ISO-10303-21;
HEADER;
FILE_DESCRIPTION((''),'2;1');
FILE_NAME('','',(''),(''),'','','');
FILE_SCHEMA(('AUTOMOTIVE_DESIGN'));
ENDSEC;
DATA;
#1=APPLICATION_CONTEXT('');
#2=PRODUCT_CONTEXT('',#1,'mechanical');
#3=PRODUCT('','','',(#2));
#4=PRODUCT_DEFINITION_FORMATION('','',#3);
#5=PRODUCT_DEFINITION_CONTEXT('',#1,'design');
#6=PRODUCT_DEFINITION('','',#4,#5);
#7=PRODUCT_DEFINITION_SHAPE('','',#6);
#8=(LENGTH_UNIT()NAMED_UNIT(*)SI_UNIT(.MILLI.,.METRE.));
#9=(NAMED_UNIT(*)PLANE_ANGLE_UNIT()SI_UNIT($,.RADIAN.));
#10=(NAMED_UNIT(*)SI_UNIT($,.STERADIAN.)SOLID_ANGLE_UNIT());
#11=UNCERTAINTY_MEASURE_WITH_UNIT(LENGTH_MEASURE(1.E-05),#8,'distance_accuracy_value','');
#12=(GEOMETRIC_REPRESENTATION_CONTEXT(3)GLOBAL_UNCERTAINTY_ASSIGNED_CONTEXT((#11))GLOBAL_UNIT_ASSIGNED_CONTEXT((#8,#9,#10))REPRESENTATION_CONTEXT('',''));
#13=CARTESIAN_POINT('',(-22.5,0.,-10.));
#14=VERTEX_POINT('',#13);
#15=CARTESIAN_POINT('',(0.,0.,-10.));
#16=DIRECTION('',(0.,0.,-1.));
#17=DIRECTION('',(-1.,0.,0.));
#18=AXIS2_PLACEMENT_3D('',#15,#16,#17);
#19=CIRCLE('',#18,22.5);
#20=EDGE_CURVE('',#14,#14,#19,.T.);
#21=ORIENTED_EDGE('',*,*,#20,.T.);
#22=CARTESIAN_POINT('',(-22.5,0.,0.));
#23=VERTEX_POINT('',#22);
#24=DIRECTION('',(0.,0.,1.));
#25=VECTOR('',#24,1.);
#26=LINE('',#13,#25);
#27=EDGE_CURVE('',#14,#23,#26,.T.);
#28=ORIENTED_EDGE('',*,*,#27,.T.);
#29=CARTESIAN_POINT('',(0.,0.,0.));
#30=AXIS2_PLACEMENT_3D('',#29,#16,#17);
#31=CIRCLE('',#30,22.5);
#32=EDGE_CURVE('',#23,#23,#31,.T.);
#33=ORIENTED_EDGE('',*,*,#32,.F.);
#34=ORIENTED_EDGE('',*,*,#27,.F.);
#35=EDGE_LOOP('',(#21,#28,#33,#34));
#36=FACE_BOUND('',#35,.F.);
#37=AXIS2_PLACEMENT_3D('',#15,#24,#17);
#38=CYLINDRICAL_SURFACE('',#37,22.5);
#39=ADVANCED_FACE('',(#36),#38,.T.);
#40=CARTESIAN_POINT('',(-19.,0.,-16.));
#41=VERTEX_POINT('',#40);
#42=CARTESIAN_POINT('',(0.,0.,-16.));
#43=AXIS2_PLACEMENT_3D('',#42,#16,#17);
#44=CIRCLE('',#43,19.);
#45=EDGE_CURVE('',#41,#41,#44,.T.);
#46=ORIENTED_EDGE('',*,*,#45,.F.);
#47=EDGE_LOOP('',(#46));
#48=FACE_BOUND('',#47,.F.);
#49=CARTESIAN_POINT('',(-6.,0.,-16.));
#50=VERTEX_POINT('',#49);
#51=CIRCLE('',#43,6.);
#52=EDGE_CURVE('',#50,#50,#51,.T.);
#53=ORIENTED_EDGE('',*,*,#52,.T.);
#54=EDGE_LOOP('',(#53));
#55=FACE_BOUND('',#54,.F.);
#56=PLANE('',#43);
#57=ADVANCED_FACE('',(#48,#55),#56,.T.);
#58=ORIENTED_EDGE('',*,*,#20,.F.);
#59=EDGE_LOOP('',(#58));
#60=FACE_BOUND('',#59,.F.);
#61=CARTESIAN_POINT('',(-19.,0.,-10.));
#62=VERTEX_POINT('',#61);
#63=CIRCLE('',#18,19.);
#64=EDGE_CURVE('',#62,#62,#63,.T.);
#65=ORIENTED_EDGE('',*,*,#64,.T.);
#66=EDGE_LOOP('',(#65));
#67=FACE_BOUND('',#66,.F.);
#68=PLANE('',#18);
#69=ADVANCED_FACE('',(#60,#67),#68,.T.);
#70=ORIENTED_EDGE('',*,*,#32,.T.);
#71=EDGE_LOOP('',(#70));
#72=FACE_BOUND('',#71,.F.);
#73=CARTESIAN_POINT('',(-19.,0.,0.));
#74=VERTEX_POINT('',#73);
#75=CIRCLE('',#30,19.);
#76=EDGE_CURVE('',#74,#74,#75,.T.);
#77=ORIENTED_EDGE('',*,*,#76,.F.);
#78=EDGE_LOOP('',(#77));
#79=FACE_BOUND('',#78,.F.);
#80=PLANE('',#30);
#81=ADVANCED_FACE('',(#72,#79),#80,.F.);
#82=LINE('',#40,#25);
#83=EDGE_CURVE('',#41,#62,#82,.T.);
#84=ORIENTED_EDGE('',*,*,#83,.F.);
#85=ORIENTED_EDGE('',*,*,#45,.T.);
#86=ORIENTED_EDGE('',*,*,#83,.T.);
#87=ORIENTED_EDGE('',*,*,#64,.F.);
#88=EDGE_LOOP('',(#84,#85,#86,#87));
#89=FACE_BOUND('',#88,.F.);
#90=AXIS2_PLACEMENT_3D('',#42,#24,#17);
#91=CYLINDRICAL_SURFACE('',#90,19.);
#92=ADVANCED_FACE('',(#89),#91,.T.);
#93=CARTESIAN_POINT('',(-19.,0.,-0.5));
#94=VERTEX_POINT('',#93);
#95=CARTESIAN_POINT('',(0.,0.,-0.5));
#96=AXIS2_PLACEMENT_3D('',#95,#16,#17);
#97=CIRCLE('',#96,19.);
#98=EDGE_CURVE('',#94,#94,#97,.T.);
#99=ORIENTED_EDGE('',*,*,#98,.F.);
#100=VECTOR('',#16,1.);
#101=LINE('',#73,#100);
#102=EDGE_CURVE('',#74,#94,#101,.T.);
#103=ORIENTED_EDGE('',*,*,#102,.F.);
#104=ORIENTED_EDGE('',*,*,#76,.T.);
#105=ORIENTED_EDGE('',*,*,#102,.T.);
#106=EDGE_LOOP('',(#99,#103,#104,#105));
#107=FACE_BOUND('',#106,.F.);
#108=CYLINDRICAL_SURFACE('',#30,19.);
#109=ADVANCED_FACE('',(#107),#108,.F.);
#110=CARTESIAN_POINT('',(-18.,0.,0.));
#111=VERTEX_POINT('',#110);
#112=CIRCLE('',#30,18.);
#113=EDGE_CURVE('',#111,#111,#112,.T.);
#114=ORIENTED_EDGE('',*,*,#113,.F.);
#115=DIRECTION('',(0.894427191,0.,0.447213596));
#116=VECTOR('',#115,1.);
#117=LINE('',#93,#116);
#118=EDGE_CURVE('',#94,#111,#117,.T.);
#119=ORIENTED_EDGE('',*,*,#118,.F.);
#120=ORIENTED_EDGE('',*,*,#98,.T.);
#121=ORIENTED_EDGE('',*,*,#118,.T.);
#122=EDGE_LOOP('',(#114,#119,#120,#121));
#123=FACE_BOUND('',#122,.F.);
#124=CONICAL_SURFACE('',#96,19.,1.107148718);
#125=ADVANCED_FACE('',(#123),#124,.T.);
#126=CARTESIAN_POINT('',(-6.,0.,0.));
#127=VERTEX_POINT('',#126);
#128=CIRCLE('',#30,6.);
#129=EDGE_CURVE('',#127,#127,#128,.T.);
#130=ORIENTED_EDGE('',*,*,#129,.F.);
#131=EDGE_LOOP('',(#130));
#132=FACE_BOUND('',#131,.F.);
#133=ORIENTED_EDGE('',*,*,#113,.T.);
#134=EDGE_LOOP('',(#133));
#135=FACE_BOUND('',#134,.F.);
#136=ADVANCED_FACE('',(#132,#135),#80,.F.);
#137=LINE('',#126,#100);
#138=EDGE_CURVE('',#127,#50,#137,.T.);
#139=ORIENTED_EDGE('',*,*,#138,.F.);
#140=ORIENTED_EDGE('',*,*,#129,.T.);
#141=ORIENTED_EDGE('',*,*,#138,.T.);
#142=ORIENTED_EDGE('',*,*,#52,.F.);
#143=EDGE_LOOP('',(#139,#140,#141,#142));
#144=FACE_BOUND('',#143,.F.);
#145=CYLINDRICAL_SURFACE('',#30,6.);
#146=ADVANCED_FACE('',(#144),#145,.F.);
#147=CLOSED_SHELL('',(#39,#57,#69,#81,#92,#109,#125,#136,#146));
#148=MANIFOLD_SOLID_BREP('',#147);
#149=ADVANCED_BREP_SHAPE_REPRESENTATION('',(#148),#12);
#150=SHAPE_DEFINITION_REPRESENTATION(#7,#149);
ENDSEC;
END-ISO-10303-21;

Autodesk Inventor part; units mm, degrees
ref_plane "YZ Plane" through (0, 0, 0) normal (1, 0, 0) x (0, 1, 0)
ref_plane "XZ Plane" through (0, 0, 0) normal (0, 1, 0) x (-1, 0, 0)
ref_plane "XY Plane" through (0, 0, 0) normal (0, 0, 1) x (1, 0, 0)
sketch "Skizze3" plane through (0, 0, 0) normal (0, 1, 0) x (-1, 0, 0)
  line L0 (0, 0) -> (0, -18.1445)
  line L1 (6, 0) -> (6, -16)
  line L2 (6, -16) -> (19, -16)
  line L3 (19, -16) -> (19, -10)
  line L4 (19, -10) -> (22.5, -10)
  line L5 (22.5, -10) -> (22.5, 0)
  line L6 (22.5, 0) -> (19, 0)
  line L7 (19, 0) -> (19, -0.5)
  line L8 (19, -0.5) -> (18, 0)
  line L9 (18, 0) -> (6, 0)
  point P0 (19, -0.25)
  dimension "d4" = 16
  dimension "d5" = 10
  dimension "d6" = 12
  dimension "d7" = 38
  dimension "d8" = 45
  dimension "d9" = 1
  dimension "d10" = 0.5
revolve "Umdrehung1" add sketch "Skizze3" angle 360 about axis through (0, 0, 0) along (0, 0, -1)
properties part number "BT602_trajan20_21"
